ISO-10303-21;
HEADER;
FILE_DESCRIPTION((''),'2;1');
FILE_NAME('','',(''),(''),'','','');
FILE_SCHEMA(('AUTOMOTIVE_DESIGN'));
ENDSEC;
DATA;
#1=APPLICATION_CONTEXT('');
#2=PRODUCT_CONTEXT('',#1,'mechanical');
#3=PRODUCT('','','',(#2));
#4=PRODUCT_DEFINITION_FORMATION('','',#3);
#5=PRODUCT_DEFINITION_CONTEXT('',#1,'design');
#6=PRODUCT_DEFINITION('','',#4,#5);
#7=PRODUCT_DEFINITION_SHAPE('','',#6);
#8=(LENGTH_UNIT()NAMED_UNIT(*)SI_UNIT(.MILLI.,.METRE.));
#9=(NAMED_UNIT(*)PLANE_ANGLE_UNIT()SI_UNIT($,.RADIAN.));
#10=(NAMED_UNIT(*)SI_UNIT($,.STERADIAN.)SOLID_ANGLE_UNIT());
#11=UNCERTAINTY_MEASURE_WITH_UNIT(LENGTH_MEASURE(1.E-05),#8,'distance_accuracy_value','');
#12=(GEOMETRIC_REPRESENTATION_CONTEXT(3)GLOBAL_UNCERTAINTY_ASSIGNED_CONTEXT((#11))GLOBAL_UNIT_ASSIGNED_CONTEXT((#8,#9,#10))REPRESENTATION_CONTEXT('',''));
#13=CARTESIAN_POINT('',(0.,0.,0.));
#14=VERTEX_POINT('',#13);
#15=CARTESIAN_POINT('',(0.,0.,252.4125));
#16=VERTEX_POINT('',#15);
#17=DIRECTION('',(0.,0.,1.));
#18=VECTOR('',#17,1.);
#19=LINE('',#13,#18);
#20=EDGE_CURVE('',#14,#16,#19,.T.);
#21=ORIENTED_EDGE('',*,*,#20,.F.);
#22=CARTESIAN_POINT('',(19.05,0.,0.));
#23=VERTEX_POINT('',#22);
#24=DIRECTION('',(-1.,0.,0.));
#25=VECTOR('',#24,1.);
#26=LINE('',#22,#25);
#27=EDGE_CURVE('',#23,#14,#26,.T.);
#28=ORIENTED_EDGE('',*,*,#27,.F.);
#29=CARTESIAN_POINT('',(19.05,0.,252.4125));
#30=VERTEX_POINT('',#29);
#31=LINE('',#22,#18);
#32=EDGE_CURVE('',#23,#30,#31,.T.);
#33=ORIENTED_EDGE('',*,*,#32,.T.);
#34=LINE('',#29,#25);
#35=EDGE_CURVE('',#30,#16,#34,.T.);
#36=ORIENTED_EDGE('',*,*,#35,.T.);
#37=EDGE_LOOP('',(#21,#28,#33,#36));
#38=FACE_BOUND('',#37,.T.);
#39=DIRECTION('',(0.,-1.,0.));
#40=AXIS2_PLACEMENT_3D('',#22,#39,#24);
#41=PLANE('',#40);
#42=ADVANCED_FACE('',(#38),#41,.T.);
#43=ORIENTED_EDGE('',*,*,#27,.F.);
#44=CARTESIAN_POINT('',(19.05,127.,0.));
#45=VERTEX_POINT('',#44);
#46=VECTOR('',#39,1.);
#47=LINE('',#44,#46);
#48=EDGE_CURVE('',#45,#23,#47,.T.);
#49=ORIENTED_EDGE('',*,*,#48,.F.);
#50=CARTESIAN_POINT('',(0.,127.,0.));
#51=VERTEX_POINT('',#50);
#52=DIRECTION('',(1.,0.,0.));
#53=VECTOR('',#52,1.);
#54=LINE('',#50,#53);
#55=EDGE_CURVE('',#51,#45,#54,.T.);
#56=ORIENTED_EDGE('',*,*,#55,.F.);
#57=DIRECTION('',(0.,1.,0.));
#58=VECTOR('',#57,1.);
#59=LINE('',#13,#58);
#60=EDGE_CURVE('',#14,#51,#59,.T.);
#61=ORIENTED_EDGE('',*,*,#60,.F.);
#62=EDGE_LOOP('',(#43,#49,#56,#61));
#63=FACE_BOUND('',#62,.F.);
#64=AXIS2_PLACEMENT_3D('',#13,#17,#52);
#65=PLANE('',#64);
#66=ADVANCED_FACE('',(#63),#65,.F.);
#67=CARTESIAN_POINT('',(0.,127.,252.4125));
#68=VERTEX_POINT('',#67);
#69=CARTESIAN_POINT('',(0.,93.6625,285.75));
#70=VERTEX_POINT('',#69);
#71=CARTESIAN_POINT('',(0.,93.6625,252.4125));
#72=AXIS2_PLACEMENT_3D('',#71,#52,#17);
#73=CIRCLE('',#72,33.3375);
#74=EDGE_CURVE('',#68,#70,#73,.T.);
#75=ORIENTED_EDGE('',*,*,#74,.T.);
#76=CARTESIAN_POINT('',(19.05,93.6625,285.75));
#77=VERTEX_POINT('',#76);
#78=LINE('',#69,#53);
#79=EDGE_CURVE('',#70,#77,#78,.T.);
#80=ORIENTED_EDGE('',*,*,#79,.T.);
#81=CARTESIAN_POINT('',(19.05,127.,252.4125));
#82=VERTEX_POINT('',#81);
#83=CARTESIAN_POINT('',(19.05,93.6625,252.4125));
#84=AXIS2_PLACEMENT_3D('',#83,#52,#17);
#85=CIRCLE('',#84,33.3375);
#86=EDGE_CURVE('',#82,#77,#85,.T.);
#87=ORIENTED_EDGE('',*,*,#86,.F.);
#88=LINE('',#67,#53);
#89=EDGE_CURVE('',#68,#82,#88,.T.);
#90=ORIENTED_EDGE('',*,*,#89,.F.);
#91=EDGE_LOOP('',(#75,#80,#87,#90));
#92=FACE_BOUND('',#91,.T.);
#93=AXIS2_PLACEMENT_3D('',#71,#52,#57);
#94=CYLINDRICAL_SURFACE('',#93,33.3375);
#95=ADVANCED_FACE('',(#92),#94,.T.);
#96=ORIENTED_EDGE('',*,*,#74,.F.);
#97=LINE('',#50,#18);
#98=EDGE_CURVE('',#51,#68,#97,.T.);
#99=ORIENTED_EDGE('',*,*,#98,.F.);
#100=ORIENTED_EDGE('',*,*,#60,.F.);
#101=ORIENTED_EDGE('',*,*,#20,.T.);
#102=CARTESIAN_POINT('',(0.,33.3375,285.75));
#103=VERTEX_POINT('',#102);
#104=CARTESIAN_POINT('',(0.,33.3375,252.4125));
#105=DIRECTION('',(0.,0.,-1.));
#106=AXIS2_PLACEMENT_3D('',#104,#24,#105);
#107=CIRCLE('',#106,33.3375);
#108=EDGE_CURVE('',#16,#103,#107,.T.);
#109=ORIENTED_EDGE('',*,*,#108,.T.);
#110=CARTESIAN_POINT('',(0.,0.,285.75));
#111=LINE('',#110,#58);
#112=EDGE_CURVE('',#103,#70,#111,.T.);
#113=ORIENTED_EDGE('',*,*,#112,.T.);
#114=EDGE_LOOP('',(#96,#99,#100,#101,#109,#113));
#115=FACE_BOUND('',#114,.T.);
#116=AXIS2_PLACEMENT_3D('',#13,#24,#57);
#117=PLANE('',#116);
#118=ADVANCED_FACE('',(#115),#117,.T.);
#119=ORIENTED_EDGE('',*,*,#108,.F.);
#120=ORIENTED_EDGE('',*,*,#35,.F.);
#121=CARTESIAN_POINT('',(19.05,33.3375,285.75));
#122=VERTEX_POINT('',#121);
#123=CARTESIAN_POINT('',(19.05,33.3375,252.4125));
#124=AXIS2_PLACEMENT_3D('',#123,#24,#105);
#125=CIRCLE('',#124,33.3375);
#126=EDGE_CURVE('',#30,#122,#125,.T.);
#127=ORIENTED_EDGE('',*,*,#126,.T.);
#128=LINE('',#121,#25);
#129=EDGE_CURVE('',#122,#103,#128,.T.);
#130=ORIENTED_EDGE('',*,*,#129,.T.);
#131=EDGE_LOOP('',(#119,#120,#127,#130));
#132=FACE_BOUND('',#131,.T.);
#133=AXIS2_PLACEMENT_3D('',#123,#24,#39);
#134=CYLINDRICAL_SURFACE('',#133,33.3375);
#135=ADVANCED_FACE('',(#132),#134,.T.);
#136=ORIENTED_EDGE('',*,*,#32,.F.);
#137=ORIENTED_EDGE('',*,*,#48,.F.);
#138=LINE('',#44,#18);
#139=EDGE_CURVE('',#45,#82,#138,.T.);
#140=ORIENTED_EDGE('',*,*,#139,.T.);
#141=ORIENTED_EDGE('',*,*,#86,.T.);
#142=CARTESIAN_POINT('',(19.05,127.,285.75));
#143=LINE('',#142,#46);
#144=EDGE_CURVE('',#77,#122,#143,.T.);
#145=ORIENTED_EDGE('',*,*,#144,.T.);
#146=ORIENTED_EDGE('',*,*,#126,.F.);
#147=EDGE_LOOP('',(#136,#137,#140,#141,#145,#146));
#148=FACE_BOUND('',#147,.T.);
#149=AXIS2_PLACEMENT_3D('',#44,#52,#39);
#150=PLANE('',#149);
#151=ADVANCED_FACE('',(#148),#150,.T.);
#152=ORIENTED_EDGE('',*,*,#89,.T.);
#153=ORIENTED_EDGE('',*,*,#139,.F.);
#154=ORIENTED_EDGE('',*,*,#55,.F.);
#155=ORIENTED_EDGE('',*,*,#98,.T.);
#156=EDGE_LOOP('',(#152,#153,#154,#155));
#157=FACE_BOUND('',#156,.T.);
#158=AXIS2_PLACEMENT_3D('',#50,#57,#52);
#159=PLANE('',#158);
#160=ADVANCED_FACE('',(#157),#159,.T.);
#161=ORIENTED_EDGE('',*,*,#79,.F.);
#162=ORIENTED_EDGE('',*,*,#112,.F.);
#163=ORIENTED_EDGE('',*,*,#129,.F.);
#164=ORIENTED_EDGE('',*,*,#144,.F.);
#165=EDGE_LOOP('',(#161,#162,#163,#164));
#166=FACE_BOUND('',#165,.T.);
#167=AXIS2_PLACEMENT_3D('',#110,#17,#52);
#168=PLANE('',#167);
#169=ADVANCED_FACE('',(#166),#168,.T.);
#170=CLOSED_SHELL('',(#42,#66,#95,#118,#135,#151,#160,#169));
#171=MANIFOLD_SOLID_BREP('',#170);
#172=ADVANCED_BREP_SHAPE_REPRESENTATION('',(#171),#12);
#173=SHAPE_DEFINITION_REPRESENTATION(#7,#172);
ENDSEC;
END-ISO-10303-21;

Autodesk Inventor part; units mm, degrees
ref_plane "YZ Plane" through (0, 0, 0) normal (1, 0, 0) x (0, 1, 0)
ref_plane "XZ Plane" through (0, 0, 0) normal (0, 1, 0) x (-1, 0, 0)
ref_plane "XY Plane" through (0, 0, 0) normal (0, 0, 1) x (1, 0, 0)
sketch "Sketch1" plane through (0, 0, 0) normal (0, 0, 1) x (1, 0, 0)
  line L0 (0, 0) -> (0, 127)
  line L1 (0, 127) -> (19.05, 127)
  line L2 (19.05, 127) -> (19.05, 0)
  line L3 (19.05, 0) -> (0, 0)
  dimension "d0" = 127
  dimension "d1" = 19.05
extrude "Extrusion1" add sketch "Sketch1" along normal blind 285.75
fillet "Fillet1" radius 33.3375 2 edges at (9.525, 0, 285.75) (9.525, 127, 285.75)
properties part number "Bumper Wood Backing Part3 (26x28 robot)" material "Wood (Birch)"
